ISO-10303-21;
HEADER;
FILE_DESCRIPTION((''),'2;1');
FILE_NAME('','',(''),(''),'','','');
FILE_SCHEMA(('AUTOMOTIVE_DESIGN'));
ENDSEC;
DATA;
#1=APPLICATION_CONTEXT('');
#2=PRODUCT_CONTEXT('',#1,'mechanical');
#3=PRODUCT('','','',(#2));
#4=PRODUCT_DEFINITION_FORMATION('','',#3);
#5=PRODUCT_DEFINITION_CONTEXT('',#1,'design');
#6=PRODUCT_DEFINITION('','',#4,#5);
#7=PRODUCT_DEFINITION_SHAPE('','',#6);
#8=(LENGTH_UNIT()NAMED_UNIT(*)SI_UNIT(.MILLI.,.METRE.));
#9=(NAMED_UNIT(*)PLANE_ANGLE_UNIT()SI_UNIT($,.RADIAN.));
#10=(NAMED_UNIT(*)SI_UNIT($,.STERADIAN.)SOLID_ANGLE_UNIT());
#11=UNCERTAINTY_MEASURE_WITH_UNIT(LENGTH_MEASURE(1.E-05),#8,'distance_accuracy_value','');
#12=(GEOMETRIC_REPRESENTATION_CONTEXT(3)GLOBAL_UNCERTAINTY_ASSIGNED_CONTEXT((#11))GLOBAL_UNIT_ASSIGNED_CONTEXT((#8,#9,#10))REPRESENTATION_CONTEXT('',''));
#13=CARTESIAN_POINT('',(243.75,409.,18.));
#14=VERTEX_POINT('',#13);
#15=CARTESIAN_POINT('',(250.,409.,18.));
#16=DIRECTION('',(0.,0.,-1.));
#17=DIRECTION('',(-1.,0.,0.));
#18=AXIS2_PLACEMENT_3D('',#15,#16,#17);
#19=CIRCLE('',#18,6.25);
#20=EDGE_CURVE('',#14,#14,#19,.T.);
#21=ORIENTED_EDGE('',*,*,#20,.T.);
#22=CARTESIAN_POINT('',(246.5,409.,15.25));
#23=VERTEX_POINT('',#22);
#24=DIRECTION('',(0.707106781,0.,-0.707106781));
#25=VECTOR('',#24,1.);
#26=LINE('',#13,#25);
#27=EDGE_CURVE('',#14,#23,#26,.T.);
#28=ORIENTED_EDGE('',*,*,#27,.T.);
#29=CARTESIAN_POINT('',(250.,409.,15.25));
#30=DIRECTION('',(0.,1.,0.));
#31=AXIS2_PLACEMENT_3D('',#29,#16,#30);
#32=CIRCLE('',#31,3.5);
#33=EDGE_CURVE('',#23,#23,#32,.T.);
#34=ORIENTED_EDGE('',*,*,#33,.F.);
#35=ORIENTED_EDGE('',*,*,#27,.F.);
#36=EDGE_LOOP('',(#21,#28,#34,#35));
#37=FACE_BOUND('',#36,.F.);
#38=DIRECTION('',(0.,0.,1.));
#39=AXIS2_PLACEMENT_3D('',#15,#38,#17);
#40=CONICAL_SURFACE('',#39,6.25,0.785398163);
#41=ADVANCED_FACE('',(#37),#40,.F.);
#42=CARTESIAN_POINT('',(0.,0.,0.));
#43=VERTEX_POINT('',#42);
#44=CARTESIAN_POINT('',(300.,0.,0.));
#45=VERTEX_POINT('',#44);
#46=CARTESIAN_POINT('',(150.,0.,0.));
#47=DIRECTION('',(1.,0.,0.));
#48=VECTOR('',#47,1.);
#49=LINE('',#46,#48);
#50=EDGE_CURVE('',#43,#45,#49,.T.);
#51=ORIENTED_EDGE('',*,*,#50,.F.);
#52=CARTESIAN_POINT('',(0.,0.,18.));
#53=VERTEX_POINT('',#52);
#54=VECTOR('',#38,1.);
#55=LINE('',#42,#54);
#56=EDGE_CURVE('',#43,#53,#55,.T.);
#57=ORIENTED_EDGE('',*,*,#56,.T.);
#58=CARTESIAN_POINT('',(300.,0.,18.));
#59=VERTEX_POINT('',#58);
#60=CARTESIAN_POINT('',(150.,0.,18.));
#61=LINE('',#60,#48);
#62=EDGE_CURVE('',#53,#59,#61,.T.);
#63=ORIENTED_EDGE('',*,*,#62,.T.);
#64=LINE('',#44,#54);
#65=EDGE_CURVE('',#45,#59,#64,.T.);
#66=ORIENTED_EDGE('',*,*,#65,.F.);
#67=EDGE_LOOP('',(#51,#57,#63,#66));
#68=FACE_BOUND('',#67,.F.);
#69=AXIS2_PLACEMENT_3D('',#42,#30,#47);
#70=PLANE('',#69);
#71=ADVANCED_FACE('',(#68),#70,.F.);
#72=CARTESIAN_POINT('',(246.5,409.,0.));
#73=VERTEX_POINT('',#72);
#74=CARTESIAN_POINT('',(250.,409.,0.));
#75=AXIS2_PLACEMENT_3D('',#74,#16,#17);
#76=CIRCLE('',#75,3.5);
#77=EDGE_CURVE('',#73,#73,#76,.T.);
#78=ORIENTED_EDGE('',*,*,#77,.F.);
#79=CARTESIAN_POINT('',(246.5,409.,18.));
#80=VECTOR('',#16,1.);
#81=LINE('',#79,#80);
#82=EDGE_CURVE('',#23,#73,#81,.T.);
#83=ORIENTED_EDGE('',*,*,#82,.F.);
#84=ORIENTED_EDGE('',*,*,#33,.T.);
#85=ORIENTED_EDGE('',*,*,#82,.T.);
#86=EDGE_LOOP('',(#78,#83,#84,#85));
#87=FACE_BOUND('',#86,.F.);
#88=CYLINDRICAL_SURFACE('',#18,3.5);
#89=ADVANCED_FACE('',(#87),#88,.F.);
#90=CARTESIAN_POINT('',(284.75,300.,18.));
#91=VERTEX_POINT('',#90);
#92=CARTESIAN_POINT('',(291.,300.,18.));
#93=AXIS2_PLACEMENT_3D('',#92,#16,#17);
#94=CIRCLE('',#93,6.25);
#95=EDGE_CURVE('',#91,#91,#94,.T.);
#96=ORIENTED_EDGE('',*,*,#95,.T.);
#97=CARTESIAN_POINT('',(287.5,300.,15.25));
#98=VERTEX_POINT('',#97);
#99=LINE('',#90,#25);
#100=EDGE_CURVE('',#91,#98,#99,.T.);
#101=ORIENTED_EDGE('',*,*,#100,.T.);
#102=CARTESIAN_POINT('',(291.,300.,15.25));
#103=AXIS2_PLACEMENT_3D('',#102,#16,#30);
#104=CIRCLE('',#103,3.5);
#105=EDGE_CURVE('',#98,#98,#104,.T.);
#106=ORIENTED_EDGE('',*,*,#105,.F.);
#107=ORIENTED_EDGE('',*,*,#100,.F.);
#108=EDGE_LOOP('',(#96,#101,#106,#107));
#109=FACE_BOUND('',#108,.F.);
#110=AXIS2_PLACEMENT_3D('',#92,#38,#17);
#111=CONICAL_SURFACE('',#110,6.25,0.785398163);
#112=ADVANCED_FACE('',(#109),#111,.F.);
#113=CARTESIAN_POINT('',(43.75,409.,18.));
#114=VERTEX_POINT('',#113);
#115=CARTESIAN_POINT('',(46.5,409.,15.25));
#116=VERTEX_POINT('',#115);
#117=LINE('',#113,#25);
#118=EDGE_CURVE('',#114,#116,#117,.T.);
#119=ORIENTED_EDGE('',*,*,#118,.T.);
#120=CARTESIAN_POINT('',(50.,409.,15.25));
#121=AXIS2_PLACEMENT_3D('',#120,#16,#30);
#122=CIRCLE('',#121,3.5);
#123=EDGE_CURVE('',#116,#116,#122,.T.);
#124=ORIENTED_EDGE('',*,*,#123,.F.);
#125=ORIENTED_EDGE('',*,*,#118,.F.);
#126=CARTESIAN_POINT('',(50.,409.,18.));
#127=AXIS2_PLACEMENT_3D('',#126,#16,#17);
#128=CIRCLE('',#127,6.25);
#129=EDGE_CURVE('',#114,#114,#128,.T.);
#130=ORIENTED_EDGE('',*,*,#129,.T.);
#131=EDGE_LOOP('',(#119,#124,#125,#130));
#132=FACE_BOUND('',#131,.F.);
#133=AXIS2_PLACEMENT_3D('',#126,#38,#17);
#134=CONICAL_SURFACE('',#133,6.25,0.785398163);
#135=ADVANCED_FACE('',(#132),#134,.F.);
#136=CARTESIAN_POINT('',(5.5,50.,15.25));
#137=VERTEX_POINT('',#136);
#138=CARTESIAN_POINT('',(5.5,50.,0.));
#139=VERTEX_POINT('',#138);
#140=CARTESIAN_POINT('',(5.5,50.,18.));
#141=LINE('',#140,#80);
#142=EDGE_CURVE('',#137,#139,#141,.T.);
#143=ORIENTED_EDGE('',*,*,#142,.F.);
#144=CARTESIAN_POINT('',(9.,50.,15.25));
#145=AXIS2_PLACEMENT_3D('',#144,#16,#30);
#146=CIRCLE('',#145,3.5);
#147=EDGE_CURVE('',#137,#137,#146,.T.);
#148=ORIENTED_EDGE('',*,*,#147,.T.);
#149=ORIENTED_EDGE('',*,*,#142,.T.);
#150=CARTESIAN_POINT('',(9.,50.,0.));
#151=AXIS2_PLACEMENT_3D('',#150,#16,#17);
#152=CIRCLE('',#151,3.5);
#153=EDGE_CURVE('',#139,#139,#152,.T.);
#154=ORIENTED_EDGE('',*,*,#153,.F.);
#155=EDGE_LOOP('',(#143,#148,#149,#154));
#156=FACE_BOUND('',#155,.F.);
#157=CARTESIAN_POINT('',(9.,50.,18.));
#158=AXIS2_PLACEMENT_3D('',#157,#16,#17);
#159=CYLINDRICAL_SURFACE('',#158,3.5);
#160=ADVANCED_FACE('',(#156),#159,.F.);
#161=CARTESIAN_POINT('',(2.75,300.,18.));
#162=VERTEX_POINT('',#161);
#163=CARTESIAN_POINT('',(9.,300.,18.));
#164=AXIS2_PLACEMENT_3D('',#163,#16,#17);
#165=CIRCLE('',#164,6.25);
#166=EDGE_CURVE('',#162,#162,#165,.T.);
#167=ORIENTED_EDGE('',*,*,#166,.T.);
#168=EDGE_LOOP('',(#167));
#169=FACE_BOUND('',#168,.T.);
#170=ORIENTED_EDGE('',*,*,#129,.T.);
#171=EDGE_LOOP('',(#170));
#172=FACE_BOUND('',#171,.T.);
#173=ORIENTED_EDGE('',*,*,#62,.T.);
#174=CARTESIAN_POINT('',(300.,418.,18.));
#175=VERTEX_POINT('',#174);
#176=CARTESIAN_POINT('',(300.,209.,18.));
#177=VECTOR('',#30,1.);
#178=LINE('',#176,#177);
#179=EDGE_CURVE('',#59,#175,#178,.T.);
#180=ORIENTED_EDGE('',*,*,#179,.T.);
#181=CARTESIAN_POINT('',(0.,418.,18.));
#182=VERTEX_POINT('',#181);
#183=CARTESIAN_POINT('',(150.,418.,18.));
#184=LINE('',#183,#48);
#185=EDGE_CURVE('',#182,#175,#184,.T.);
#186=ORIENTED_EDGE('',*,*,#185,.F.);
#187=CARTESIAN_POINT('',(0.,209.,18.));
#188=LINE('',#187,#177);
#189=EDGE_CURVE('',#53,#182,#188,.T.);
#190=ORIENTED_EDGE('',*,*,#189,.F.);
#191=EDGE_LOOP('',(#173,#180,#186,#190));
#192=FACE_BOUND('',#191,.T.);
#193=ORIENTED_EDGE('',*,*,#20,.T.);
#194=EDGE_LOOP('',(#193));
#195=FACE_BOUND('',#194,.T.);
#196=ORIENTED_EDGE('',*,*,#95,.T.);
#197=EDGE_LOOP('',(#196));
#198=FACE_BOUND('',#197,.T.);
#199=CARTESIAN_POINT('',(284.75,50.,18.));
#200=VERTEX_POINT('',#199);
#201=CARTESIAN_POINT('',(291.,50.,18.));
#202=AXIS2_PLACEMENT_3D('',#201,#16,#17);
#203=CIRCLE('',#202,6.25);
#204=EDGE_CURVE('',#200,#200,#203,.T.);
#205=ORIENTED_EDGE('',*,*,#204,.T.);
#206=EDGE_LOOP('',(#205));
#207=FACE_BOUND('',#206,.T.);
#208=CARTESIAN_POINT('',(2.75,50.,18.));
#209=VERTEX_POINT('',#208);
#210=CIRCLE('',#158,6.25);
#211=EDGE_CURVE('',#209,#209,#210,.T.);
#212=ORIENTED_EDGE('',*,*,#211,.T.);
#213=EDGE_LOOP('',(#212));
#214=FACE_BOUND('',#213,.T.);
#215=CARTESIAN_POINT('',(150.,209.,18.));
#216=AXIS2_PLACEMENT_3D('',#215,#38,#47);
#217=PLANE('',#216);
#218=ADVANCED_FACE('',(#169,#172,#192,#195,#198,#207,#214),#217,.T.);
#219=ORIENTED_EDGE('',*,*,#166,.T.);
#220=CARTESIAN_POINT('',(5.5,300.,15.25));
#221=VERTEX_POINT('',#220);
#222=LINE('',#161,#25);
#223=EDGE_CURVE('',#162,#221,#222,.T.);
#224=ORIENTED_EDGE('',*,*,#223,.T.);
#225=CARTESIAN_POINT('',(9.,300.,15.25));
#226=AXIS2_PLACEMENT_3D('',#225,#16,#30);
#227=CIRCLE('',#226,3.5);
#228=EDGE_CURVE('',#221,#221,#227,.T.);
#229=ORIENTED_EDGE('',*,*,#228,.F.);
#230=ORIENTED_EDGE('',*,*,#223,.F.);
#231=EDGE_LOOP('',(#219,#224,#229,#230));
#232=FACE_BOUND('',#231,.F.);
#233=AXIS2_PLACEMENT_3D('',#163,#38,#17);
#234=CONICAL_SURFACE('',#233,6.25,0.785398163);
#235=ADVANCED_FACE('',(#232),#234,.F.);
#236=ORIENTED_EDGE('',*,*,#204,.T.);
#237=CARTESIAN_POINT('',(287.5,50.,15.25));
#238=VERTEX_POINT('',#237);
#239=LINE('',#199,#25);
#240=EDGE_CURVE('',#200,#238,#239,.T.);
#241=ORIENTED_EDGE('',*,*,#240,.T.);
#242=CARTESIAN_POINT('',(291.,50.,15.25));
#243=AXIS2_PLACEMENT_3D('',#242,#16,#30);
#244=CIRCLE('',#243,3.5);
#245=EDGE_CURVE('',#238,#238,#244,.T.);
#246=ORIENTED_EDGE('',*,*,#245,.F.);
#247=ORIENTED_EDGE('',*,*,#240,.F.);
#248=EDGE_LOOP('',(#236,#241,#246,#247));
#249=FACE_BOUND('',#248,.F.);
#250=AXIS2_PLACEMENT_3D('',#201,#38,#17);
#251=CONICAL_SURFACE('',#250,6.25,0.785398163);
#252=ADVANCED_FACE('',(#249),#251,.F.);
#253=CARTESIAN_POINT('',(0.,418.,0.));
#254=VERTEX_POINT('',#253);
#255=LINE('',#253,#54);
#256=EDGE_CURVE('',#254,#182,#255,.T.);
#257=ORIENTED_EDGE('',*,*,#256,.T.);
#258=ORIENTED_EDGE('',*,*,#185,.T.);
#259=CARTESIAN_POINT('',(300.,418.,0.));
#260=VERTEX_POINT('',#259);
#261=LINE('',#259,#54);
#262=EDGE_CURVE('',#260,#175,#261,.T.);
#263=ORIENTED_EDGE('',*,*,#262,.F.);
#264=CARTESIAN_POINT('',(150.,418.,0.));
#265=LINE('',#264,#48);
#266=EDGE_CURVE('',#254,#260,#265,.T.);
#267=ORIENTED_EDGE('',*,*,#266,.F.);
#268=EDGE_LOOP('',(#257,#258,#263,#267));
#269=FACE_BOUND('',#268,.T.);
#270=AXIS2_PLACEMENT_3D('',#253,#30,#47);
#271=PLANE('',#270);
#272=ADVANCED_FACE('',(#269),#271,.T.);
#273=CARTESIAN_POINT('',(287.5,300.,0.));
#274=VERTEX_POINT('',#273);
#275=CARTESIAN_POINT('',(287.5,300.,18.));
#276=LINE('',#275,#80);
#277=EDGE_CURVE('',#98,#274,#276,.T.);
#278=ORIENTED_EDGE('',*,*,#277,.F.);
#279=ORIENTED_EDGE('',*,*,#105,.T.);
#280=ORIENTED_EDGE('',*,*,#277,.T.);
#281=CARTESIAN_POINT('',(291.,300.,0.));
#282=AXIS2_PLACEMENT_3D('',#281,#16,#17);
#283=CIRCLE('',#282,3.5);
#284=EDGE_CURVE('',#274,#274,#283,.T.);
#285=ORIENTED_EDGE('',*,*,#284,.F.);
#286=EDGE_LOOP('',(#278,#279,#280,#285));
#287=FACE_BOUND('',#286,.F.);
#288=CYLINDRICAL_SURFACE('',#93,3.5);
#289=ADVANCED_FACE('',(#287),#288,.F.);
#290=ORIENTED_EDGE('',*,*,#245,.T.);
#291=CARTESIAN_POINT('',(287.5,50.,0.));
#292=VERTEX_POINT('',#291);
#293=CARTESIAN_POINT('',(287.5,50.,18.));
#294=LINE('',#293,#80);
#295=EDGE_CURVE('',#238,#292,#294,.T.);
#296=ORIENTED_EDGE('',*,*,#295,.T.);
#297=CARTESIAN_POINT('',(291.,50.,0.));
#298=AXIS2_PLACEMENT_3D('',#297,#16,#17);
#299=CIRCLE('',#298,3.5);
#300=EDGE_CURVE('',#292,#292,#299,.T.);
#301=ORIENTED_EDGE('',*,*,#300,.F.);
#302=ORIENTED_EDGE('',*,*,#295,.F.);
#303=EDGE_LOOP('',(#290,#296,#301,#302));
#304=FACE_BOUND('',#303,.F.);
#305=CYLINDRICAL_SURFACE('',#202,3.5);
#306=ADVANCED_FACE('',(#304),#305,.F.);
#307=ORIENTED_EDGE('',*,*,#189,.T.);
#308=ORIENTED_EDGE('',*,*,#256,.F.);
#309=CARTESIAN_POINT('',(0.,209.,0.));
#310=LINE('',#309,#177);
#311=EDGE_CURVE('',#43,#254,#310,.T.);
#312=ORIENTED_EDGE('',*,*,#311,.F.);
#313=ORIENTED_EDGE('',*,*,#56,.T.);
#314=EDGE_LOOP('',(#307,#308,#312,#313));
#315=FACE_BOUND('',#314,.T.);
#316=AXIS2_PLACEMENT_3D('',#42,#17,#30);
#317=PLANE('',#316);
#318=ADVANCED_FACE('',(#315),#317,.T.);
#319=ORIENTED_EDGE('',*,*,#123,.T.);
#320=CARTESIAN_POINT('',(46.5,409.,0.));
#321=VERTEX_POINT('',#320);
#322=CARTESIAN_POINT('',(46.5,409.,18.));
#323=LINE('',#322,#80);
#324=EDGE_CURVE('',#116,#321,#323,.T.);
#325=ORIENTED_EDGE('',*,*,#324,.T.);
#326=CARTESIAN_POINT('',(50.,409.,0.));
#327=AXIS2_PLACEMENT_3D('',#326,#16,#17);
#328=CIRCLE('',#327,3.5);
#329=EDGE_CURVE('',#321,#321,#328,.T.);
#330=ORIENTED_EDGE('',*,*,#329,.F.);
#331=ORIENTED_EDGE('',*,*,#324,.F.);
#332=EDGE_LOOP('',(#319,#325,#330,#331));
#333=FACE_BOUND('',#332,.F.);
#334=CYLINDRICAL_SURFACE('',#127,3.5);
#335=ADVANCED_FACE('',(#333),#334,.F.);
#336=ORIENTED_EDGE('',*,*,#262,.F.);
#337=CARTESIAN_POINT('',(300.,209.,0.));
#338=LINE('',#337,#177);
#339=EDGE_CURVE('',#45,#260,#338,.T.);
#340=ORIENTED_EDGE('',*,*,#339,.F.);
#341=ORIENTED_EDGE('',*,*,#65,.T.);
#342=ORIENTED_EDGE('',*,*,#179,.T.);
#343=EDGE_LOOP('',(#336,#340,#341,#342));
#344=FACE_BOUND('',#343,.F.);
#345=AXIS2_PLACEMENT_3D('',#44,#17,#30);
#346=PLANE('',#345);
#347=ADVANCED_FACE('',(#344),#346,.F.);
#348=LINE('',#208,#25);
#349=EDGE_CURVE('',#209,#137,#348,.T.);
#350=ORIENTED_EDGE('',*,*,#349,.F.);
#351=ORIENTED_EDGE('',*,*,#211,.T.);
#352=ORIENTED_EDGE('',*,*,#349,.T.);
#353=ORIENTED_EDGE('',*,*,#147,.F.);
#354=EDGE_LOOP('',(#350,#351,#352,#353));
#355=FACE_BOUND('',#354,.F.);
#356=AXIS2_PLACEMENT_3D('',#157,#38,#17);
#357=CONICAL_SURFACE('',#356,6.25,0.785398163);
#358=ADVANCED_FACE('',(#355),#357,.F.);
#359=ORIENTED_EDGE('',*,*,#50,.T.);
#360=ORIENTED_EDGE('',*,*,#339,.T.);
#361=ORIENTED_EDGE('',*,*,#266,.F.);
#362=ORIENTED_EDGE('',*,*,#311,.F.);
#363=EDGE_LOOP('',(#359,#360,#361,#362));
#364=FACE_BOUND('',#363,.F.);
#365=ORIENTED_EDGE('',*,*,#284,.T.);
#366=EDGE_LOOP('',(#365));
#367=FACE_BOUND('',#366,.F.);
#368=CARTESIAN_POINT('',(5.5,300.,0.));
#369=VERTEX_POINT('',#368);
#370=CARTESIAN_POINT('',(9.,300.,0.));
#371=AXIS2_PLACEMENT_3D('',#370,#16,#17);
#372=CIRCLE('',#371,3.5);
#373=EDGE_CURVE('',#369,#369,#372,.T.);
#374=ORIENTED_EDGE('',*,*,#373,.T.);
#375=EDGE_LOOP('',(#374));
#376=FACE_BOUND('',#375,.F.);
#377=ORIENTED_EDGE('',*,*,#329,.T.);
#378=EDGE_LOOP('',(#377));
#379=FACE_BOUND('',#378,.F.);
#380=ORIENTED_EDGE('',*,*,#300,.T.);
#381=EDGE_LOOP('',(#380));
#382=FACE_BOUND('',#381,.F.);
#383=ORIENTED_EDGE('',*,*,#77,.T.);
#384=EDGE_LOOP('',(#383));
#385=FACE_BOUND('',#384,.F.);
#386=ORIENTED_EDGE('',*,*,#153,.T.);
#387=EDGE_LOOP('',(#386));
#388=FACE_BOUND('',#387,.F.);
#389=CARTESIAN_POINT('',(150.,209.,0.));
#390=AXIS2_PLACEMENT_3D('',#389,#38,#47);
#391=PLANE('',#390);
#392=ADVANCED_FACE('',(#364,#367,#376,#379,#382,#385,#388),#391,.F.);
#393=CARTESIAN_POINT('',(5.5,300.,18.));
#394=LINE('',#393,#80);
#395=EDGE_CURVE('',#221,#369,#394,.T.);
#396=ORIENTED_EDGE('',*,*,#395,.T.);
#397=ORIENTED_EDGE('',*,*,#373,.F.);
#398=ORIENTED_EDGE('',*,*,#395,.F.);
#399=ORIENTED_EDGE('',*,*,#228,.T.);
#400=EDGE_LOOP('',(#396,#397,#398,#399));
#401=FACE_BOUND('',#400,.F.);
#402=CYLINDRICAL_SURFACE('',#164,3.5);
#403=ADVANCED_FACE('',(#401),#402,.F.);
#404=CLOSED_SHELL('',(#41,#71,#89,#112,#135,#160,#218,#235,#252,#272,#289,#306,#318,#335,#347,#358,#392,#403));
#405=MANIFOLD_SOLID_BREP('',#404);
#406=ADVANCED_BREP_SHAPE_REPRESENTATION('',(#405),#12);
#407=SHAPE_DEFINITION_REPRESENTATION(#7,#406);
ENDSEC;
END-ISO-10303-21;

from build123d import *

# Parameters (mm, degrees)
F3_W           = 300
F3_H           = 418
F0_DEPTH       = 18
F2_D           = 7
F2_CSINK_D     = 12.5
F2_CSINK_ANGLE = 90


with BuildPart() as f0:
    # F3 (on Top) → F0 (new body)
    with BuildSketch(Plane.XY):
        with Locations((150, 209)):
            Rectangle(F3_W, F3_H)
    extrude(amount=F0_DEPTH)

    # F2 (through all)
    with Locations(Plane.XY.offset(18)):
        with Locations((9, 50), (291, 50), (9, 300), (291, 300), (50, 409), (250, 409)):
            CounterSinkHole(F2_D / 2, F2_CSINK_D / 2, counter_sink_angle=F2_CSINK_ANGLE)


solid = f0.part
